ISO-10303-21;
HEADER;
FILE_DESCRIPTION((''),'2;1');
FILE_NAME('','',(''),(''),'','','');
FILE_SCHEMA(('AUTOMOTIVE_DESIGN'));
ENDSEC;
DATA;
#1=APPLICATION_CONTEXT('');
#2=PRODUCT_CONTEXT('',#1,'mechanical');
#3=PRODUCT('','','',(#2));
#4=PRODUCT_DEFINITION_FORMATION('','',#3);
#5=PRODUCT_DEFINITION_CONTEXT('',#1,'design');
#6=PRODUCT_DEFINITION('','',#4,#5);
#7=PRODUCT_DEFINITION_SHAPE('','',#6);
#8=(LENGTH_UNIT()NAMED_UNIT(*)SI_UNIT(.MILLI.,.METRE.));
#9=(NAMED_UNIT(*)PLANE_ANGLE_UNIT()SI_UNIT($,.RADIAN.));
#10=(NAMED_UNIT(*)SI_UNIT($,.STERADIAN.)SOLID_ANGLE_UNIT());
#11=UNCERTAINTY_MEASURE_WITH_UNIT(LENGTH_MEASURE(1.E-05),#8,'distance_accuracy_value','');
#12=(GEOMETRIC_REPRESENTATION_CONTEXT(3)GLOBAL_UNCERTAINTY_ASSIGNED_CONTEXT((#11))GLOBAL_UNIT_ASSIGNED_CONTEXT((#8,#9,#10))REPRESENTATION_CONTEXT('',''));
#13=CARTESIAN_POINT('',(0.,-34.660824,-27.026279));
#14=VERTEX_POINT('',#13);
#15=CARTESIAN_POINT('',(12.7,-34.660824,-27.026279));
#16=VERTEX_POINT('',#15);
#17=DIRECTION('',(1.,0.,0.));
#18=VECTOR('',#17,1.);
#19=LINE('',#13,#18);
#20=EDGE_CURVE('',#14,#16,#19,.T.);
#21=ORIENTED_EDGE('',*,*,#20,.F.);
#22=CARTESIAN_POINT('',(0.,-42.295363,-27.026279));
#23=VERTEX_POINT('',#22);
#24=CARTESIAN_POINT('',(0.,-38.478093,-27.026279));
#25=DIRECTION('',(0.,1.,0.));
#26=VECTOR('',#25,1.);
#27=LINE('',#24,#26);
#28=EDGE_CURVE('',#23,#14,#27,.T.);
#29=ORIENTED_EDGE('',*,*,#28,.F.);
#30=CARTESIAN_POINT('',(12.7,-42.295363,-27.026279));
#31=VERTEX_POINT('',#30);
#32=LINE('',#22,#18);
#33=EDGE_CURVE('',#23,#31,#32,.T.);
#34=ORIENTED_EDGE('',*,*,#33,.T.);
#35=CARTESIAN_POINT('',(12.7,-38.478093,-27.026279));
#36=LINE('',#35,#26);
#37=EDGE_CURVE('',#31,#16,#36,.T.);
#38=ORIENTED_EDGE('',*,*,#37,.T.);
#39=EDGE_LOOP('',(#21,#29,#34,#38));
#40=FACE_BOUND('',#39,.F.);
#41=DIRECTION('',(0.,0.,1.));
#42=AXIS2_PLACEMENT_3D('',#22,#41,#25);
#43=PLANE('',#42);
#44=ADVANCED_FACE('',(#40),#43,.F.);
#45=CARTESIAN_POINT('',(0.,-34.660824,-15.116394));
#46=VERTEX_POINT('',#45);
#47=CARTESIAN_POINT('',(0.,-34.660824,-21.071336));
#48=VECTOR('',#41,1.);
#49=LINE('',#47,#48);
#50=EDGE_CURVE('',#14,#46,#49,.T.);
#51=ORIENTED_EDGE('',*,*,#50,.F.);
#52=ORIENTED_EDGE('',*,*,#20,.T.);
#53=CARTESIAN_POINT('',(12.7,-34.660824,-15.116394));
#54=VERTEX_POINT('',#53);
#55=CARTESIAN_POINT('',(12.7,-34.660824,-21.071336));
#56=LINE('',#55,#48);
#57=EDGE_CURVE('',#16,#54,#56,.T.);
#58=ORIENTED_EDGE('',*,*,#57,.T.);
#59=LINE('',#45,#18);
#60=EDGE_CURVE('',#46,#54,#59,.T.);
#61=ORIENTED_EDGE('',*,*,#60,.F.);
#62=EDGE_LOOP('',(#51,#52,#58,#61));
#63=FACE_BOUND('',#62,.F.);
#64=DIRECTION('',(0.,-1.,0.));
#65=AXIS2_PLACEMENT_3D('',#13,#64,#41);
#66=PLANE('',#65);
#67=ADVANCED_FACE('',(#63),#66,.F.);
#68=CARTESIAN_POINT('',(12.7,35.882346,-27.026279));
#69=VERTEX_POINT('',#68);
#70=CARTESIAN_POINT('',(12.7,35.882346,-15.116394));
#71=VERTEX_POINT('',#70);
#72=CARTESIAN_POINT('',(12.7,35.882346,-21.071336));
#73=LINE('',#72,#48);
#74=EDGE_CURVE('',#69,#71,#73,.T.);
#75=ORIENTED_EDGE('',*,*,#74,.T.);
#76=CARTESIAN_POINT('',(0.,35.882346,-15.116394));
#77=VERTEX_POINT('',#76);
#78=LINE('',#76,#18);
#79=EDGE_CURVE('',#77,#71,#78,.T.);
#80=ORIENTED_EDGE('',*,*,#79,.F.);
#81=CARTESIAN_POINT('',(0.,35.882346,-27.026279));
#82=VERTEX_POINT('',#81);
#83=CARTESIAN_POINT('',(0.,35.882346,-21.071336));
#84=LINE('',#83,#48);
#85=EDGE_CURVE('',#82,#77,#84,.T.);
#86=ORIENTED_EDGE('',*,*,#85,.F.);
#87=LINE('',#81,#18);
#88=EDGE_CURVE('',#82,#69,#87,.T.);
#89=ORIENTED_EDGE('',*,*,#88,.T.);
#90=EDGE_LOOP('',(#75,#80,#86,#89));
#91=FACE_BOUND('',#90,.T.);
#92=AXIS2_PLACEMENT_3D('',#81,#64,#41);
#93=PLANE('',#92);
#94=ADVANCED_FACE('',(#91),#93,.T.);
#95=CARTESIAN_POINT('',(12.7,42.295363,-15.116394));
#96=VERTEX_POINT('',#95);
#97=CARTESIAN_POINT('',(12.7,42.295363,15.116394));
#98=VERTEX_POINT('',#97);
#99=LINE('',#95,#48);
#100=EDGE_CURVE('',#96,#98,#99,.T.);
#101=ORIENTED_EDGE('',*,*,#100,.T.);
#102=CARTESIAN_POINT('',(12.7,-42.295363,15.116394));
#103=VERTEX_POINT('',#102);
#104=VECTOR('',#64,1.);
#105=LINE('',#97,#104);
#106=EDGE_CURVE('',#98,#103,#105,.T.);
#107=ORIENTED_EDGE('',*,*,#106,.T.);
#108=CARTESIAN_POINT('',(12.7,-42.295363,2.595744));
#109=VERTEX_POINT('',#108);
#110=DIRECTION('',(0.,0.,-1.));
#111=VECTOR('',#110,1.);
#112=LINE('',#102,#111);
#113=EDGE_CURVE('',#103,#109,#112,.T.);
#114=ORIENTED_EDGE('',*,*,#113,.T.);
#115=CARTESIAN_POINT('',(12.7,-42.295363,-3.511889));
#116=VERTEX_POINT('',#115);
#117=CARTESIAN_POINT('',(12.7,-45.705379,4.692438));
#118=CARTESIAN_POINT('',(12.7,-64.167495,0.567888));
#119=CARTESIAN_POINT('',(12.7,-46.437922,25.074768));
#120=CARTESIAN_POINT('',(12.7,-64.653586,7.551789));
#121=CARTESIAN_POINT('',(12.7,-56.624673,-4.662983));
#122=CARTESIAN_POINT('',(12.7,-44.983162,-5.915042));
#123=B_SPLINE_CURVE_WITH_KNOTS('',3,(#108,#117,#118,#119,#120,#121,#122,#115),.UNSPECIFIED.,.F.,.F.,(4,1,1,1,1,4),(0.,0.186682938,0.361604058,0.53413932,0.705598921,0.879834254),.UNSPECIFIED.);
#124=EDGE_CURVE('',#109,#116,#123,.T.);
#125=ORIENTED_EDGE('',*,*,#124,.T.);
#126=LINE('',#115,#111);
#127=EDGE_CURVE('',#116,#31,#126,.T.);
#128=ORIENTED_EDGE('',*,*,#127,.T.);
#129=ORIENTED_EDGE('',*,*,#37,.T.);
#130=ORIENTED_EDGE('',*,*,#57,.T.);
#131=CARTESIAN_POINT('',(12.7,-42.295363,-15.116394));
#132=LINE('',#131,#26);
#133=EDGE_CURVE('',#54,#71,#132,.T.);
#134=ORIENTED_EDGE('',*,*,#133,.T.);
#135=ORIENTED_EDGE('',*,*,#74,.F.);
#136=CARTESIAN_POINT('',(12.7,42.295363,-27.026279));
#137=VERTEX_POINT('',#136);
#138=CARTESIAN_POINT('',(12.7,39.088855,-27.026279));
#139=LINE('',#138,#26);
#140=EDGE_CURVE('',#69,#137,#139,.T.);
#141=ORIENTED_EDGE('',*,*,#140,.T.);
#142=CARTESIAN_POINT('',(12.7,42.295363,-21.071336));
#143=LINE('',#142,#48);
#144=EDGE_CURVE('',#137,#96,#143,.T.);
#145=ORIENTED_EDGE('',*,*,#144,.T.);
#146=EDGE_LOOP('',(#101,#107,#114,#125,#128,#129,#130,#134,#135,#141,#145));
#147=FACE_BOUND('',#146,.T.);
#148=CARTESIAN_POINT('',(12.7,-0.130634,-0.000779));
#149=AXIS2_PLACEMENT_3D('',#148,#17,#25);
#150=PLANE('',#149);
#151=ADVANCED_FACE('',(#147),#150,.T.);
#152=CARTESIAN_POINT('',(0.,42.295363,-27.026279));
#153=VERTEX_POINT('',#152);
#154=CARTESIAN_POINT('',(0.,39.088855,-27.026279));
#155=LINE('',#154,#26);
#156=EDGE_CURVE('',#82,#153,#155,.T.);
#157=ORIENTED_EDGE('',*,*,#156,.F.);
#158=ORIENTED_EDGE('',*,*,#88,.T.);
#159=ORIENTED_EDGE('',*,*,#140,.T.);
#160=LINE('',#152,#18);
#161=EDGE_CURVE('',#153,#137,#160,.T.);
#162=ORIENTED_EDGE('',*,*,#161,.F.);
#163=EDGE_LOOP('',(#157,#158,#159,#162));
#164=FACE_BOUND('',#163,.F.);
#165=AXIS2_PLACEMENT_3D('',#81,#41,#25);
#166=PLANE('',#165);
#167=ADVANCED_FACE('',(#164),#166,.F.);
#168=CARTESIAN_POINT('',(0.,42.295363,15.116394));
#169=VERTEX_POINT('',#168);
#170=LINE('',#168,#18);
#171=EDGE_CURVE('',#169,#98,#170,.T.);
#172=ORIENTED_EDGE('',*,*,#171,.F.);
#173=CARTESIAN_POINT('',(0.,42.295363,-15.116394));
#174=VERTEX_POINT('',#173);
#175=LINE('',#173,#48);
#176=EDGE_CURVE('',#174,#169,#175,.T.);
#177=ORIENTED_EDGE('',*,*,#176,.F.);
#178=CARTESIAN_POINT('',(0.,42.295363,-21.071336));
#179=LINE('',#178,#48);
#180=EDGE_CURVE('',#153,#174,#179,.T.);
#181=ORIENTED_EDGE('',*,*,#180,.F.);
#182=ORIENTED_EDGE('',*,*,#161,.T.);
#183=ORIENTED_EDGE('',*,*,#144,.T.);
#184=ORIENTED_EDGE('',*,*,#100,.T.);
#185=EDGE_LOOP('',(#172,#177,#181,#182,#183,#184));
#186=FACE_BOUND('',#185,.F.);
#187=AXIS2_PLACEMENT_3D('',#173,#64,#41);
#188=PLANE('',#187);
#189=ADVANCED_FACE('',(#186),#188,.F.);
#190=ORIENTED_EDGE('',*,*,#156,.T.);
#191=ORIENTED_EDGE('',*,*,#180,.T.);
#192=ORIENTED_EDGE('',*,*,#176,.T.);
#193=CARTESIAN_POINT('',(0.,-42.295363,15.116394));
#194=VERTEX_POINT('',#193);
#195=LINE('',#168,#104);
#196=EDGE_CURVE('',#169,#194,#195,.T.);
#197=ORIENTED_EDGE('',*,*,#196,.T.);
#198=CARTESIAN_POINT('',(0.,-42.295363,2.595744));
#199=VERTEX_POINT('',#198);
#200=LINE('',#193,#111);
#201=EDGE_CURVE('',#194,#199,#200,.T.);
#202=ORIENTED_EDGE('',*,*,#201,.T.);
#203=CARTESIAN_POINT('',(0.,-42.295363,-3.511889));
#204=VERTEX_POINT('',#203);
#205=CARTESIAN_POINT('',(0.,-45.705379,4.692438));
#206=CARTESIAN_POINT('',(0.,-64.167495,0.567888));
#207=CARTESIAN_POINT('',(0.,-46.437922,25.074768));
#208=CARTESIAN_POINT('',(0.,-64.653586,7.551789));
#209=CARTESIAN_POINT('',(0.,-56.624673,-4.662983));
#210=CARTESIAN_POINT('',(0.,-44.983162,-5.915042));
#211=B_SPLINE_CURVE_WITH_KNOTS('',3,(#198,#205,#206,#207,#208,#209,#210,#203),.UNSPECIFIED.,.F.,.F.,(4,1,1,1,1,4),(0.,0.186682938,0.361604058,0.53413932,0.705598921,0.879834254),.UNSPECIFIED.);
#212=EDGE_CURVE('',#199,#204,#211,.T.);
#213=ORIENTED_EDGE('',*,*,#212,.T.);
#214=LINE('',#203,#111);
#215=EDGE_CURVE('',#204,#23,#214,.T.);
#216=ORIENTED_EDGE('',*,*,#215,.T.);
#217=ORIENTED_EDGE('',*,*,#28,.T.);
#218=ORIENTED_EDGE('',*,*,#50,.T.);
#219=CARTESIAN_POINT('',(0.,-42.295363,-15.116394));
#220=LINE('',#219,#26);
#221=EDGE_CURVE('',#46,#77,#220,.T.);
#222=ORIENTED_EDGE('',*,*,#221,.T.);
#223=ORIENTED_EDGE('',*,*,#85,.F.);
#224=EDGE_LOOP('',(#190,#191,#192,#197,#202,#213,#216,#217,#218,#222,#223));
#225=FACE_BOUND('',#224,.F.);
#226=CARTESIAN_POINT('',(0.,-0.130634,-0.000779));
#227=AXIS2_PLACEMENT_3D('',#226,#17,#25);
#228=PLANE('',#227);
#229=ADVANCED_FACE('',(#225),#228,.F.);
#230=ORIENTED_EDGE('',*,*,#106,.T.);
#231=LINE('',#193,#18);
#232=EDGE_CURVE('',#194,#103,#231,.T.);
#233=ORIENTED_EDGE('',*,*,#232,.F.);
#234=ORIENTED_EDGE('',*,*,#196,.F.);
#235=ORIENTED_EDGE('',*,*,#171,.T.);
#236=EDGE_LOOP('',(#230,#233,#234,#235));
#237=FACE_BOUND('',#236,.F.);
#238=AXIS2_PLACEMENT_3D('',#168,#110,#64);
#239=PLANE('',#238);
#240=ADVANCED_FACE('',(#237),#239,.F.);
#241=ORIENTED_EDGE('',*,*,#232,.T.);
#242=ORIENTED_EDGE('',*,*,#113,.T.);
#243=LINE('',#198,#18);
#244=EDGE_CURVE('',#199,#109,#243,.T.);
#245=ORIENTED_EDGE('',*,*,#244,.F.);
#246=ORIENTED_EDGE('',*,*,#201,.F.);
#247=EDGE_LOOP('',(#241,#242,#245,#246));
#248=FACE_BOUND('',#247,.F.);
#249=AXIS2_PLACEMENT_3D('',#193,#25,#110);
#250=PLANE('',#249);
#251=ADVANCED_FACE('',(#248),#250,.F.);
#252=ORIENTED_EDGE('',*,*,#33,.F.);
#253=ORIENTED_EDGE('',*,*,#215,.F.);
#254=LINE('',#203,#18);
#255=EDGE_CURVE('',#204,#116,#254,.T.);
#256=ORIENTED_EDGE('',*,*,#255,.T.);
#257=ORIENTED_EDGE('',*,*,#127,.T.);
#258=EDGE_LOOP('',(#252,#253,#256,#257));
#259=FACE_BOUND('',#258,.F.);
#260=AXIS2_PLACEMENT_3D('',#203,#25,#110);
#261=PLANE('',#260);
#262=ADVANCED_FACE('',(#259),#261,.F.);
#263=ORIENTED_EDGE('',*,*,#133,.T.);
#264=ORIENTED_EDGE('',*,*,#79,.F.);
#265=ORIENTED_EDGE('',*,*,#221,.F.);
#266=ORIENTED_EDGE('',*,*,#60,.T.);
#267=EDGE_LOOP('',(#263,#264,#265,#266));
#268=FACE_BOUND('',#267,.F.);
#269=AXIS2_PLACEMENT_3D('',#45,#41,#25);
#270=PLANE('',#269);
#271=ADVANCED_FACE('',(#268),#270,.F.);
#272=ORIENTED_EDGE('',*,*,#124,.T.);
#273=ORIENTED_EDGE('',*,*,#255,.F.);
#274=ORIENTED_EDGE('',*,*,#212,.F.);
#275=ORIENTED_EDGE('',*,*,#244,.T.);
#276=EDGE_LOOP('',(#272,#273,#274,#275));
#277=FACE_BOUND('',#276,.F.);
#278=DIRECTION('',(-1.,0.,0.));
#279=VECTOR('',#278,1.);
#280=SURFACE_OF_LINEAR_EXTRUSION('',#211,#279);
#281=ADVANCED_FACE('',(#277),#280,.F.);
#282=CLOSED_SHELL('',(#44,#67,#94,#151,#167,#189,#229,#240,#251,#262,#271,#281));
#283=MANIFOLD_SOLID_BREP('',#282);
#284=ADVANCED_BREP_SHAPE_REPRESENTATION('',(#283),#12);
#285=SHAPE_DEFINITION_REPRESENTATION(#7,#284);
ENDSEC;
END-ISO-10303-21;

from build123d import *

# Parameters (mm, degrees)
F0_W     = 6.4130164683
F0_H     = 11.909885332
F0_W_2   = 7.6345391572
F1_DEPTH = 12.7


with BuildPart() as f1:
    # F0 (on Right) → F1 (new body)
    with BuildSketch(Plane.YZ):
        with BuildLine():
            Line((42.2953628004, -15.1163935661), (42.2953628004, 15.1163935661))
            Line((42.2953628004, 15.1163935661), (-42.2953628004, 15.1163935661))
            Line((-42.2953628004, 15.1163935661), (-42.2953628004, 2.5957443286))
            add(Edge.make_bspline(
                [(-42.2953628004, -3.511889372), (-40.4416549081, -1.8544950373), (-40.1003732194, 1.246125517), (-42.2953628004, 2.5957443286)],
                knots=[0.8798342537, 0.8798342537, 0.8798342537, 0.8798342537, 1, 1, 1, 1], degree=3))
            Line((-42.2953628004, -3.511889372), (-42.2953628004, -15.1163935661))
            Line((-42.2953628004, -15.1163935661), (-34.6608236432, -15.1163935661))
            Line((-34.6608236432, -15.1163935661), (35.8823463321, -15.1163935661))
            Line((35.8823463321, -15.1163935661), (42.2953628004, -15.1163935661))
        make_face()
        with Locations((39.0888545662, -21.0713362321)):
            Rectangle(F0_W, F0_H)
        with BuildLine():
            add(Edge.make_bspline(
                [(-42.2953628004, -3.511889372), (-40.4416549081, -1.8544950373), (-40.1003732194, 1.246125517), (-42.2953628004, 2.5957443286)],
                knots=[0.8798342537, 0.8798342537, 0.8798342537, 0.8798342537, 1, 1, 1, 1], degree=3))
            Line((-42.2953628004, 2.5957443286), (-42.2953628004, -3.511889372))
        make_face()
        with BuildLine():
            Line((-42.2953628004, -3.511889372), (-42.2953628004, 2.5957443286))
            add(Edge.make_bspline(
                [(-42.2953628004, 2.5957443286), (-45.7053786947, 4.6924383807), (-64.167494837, 0.5678882082), (-46.4379215274, 25.0747675786), (-64.6535863398, 7.5517885068), (-56.6246733478, -4.6629831789), (-44.983162121, -5.9150422017), (-42.2953628004, -3.511889372)],
                knots=[0, 0, 0, 0, 0.1866829384, 0.3616040583, 0.5341393201, 0.7055989211, 0.8798342537, 0.8798342537, 0.8798342537, 0.8798342537], degree=3))
        make_face()
        with Locations((-38.4780932218, -21.0713362321)):
            Rectangle(F0_W_2, F0_H)
    extrude(amount=F1_DEPTH)


solid = f1.part
